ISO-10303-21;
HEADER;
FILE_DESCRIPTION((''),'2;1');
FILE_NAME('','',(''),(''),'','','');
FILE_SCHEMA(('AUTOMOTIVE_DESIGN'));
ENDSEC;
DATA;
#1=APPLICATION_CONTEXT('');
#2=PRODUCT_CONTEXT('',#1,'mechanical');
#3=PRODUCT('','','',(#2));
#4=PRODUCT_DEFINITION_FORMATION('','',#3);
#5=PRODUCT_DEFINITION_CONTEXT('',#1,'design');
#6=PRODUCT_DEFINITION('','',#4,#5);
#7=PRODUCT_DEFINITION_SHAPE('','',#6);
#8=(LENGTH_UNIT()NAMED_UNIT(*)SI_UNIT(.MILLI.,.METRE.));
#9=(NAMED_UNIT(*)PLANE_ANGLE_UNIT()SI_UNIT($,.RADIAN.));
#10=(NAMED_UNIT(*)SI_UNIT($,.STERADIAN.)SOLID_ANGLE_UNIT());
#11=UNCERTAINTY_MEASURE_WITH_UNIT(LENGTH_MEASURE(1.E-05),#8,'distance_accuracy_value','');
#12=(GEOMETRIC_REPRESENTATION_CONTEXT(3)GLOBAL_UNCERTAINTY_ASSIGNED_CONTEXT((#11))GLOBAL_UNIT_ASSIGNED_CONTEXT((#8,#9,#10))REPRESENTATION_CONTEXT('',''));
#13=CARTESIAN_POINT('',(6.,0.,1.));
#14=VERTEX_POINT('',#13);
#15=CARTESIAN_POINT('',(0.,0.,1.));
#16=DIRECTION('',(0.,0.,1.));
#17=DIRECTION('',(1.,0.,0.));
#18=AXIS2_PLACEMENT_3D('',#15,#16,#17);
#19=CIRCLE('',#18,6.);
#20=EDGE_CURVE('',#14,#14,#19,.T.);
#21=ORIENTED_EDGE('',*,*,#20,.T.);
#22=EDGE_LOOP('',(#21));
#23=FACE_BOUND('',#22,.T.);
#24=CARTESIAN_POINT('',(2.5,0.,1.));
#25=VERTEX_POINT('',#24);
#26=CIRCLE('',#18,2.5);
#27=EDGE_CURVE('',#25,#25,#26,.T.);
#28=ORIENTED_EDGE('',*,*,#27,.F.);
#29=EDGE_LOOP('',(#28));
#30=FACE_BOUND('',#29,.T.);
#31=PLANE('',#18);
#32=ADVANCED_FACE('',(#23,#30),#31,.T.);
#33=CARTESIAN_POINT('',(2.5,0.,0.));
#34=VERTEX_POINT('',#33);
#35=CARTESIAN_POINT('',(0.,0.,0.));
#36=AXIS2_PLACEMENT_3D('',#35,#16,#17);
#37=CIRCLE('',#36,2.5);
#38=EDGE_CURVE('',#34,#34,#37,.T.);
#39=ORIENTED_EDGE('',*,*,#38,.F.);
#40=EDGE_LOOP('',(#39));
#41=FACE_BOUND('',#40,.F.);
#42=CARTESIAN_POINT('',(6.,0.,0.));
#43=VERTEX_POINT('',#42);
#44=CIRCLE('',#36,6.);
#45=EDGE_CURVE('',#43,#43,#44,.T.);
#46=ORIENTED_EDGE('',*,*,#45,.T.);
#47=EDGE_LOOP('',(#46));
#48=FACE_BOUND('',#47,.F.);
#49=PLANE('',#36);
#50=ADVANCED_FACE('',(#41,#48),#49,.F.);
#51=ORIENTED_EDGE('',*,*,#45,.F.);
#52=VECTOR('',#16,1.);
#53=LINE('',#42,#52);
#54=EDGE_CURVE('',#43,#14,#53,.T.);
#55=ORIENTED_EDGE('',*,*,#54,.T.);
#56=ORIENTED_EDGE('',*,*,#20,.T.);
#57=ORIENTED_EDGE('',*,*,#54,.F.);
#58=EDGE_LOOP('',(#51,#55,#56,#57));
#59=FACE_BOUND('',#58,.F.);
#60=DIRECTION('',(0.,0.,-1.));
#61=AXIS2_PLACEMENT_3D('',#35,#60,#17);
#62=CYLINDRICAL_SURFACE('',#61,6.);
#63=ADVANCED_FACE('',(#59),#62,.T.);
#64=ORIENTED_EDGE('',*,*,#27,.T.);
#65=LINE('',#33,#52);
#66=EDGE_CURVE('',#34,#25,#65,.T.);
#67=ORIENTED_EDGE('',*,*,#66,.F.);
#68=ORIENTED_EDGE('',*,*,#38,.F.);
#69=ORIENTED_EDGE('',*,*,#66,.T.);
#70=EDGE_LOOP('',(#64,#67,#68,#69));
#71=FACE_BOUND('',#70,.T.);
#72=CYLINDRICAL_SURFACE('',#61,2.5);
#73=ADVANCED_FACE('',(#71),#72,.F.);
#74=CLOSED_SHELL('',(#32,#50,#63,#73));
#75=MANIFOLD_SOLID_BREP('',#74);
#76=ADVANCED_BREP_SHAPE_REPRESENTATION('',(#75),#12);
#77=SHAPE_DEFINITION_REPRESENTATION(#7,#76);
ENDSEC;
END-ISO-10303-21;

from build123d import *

# Parameters (mm, degrees)
SKETCH_1_R      = 6
SKETCH_1_R_2    = 2.5
EXTRUDE_1_DEPTH = 1


with BuildPart() as part:
    # Эскиз1 → Бобышка-Вытянуть1 (new body)
    with BuildSketch(Plane.XY):
        Circle(SKETCH_1_R)
        Circle(SKETCH_1_R_2, mode=Mode.SUBTRACT)
    extrude(amount=EXTRUDE_1_DEPTH)


solid = part.part
